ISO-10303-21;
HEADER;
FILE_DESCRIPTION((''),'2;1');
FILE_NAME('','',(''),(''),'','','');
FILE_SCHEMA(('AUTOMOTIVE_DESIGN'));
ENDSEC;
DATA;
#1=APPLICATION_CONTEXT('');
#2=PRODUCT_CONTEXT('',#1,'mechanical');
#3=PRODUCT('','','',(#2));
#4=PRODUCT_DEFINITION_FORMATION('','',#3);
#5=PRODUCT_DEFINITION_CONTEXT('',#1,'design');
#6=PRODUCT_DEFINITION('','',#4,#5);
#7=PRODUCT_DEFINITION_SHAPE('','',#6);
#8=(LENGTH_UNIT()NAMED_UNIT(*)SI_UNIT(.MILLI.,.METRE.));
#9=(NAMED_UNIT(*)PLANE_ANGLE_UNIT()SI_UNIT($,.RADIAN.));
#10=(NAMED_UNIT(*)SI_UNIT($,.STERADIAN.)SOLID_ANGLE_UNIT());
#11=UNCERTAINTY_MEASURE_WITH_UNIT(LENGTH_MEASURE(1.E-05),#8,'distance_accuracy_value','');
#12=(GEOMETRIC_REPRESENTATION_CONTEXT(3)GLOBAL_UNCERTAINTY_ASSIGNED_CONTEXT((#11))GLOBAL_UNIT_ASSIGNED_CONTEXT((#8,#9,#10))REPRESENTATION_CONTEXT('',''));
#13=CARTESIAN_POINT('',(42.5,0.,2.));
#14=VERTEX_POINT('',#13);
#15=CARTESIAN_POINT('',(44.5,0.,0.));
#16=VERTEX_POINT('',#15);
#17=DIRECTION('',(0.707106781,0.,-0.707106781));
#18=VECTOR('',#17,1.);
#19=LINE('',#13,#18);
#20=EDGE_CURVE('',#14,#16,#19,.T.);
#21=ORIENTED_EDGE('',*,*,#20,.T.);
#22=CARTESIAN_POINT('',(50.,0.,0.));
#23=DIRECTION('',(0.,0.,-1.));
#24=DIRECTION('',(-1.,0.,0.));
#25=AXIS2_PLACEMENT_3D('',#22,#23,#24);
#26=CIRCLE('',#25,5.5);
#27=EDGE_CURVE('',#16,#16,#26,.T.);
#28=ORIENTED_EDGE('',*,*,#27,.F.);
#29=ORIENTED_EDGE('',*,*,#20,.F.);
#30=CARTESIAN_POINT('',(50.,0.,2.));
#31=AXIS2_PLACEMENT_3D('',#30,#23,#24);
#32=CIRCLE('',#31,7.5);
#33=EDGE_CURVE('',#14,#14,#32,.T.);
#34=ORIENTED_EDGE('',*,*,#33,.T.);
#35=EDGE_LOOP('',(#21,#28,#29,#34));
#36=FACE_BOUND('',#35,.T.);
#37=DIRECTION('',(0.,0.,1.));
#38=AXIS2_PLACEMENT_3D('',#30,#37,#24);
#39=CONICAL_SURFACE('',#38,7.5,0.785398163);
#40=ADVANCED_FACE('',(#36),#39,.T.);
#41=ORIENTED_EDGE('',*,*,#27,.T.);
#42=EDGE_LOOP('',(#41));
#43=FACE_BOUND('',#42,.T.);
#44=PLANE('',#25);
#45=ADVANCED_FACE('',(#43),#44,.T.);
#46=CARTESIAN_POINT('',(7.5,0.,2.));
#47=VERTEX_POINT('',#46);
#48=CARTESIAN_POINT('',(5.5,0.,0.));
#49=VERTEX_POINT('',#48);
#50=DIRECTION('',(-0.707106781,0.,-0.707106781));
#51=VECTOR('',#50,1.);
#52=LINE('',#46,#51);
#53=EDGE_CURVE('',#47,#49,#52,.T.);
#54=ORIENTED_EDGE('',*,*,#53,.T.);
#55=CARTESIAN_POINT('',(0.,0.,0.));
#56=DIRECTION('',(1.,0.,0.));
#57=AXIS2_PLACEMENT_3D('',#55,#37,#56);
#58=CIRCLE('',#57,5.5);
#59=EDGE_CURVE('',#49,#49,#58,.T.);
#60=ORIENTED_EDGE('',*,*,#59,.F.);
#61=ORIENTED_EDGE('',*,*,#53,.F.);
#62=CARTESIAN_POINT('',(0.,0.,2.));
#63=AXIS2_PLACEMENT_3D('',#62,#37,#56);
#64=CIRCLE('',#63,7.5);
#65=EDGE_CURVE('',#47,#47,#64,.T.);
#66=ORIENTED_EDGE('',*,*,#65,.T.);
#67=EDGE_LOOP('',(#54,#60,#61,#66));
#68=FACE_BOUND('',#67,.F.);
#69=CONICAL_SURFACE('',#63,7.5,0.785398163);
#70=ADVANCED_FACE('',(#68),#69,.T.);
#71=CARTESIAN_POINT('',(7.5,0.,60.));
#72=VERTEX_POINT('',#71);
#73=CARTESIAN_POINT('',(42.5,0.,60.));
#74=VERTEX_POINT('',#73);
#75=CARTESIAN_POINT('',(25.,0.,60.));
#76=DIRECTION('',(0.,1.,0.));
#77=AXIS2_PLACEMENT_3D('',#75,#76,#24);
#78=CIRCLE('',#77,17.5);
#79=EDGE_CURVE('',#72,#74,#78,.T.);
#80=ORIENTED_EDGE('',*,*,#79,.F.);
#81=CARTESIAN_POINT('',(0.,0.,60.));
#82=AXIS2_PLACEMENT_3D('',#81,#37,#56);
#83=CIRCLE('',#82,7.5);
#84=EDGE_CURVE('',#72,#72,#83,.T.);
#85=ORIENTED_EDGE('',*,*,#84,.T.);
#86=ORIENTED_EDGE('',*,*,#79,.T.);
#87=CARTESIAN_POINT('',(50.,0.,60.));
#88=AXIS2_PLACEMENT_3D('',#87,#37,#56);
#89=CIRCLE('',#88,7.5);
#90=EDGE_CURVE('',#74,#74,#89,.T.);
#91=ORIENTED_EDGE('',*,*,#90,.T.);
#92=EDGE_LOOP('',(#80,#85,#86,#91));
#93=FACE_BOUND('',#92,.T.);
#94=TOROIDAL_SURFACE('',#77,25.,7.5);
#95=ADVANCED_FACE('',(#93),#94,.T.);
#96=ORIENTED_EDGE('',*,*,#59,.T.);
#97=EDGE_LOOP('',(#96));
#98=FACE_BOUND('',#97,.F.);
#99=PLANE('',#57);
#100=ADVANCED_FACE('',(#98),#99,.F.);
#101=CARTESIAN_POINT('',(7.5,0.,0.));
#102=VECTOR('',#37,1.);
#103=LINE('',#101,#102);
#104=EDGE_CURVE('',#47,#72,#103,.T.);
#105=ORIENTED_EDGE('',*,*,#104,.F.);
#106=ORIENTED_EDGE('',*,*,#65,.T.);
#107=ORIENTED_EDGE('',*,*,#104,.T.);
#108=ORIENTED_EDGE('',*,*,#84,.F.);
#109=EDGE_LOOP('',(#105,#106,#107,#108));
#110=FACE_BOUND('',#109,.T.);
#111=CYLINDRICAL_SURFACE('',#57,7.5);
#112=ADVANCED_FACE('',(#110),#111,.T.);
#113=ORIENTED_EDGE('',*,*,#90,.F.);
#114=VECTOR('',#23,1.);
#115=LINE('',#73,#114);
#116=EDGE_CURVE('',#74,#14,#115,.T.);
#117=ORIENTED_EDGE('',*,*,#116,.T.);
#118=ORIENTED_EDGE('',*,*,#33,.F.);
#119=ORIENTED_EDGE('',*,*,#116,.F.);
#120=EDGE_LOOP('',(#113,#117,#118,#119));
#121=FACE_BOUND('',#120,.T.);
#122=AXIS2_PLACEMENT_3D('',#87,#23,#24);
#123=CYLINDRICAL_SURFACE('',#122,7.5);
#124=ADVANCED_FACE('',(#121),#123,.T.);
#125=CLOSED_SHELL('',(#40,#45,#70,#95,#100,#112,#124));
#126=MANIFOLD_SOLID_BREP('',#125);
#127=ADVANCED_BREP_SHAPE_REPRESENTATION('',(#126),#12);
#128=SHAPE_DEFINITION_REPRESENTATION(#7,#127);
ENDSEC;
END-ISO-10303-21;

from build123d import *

# Parameters (mm, degrees)
F1_R    = 7.5
F3_SIZE = 2


with BuildPart() as f2:
    # F2: sweep along a path in F0
    with BuildLine(Plane.XZ) as f2_path:
        Line((0, 0), (0, 60))
        ThreePointArc((0, 60), (25, 85), (50, 60))
        Line((50, 60), (50, 0))
    # F1 (on Top) → F2 (sweep)
    with BuildSketch(Plane.XY):
        Circle(F1_R)
    sweep(path=f2_path.line)

    # F3
    f3_edges = [f2.edges().sort_by_distance(p)[0] for p in [
        (-7.5, 0, 0),
        (57.5, 0, 0),
    ]]
    chamfer(f3_edges, length=F3_SIZE)


solid = f2.part
